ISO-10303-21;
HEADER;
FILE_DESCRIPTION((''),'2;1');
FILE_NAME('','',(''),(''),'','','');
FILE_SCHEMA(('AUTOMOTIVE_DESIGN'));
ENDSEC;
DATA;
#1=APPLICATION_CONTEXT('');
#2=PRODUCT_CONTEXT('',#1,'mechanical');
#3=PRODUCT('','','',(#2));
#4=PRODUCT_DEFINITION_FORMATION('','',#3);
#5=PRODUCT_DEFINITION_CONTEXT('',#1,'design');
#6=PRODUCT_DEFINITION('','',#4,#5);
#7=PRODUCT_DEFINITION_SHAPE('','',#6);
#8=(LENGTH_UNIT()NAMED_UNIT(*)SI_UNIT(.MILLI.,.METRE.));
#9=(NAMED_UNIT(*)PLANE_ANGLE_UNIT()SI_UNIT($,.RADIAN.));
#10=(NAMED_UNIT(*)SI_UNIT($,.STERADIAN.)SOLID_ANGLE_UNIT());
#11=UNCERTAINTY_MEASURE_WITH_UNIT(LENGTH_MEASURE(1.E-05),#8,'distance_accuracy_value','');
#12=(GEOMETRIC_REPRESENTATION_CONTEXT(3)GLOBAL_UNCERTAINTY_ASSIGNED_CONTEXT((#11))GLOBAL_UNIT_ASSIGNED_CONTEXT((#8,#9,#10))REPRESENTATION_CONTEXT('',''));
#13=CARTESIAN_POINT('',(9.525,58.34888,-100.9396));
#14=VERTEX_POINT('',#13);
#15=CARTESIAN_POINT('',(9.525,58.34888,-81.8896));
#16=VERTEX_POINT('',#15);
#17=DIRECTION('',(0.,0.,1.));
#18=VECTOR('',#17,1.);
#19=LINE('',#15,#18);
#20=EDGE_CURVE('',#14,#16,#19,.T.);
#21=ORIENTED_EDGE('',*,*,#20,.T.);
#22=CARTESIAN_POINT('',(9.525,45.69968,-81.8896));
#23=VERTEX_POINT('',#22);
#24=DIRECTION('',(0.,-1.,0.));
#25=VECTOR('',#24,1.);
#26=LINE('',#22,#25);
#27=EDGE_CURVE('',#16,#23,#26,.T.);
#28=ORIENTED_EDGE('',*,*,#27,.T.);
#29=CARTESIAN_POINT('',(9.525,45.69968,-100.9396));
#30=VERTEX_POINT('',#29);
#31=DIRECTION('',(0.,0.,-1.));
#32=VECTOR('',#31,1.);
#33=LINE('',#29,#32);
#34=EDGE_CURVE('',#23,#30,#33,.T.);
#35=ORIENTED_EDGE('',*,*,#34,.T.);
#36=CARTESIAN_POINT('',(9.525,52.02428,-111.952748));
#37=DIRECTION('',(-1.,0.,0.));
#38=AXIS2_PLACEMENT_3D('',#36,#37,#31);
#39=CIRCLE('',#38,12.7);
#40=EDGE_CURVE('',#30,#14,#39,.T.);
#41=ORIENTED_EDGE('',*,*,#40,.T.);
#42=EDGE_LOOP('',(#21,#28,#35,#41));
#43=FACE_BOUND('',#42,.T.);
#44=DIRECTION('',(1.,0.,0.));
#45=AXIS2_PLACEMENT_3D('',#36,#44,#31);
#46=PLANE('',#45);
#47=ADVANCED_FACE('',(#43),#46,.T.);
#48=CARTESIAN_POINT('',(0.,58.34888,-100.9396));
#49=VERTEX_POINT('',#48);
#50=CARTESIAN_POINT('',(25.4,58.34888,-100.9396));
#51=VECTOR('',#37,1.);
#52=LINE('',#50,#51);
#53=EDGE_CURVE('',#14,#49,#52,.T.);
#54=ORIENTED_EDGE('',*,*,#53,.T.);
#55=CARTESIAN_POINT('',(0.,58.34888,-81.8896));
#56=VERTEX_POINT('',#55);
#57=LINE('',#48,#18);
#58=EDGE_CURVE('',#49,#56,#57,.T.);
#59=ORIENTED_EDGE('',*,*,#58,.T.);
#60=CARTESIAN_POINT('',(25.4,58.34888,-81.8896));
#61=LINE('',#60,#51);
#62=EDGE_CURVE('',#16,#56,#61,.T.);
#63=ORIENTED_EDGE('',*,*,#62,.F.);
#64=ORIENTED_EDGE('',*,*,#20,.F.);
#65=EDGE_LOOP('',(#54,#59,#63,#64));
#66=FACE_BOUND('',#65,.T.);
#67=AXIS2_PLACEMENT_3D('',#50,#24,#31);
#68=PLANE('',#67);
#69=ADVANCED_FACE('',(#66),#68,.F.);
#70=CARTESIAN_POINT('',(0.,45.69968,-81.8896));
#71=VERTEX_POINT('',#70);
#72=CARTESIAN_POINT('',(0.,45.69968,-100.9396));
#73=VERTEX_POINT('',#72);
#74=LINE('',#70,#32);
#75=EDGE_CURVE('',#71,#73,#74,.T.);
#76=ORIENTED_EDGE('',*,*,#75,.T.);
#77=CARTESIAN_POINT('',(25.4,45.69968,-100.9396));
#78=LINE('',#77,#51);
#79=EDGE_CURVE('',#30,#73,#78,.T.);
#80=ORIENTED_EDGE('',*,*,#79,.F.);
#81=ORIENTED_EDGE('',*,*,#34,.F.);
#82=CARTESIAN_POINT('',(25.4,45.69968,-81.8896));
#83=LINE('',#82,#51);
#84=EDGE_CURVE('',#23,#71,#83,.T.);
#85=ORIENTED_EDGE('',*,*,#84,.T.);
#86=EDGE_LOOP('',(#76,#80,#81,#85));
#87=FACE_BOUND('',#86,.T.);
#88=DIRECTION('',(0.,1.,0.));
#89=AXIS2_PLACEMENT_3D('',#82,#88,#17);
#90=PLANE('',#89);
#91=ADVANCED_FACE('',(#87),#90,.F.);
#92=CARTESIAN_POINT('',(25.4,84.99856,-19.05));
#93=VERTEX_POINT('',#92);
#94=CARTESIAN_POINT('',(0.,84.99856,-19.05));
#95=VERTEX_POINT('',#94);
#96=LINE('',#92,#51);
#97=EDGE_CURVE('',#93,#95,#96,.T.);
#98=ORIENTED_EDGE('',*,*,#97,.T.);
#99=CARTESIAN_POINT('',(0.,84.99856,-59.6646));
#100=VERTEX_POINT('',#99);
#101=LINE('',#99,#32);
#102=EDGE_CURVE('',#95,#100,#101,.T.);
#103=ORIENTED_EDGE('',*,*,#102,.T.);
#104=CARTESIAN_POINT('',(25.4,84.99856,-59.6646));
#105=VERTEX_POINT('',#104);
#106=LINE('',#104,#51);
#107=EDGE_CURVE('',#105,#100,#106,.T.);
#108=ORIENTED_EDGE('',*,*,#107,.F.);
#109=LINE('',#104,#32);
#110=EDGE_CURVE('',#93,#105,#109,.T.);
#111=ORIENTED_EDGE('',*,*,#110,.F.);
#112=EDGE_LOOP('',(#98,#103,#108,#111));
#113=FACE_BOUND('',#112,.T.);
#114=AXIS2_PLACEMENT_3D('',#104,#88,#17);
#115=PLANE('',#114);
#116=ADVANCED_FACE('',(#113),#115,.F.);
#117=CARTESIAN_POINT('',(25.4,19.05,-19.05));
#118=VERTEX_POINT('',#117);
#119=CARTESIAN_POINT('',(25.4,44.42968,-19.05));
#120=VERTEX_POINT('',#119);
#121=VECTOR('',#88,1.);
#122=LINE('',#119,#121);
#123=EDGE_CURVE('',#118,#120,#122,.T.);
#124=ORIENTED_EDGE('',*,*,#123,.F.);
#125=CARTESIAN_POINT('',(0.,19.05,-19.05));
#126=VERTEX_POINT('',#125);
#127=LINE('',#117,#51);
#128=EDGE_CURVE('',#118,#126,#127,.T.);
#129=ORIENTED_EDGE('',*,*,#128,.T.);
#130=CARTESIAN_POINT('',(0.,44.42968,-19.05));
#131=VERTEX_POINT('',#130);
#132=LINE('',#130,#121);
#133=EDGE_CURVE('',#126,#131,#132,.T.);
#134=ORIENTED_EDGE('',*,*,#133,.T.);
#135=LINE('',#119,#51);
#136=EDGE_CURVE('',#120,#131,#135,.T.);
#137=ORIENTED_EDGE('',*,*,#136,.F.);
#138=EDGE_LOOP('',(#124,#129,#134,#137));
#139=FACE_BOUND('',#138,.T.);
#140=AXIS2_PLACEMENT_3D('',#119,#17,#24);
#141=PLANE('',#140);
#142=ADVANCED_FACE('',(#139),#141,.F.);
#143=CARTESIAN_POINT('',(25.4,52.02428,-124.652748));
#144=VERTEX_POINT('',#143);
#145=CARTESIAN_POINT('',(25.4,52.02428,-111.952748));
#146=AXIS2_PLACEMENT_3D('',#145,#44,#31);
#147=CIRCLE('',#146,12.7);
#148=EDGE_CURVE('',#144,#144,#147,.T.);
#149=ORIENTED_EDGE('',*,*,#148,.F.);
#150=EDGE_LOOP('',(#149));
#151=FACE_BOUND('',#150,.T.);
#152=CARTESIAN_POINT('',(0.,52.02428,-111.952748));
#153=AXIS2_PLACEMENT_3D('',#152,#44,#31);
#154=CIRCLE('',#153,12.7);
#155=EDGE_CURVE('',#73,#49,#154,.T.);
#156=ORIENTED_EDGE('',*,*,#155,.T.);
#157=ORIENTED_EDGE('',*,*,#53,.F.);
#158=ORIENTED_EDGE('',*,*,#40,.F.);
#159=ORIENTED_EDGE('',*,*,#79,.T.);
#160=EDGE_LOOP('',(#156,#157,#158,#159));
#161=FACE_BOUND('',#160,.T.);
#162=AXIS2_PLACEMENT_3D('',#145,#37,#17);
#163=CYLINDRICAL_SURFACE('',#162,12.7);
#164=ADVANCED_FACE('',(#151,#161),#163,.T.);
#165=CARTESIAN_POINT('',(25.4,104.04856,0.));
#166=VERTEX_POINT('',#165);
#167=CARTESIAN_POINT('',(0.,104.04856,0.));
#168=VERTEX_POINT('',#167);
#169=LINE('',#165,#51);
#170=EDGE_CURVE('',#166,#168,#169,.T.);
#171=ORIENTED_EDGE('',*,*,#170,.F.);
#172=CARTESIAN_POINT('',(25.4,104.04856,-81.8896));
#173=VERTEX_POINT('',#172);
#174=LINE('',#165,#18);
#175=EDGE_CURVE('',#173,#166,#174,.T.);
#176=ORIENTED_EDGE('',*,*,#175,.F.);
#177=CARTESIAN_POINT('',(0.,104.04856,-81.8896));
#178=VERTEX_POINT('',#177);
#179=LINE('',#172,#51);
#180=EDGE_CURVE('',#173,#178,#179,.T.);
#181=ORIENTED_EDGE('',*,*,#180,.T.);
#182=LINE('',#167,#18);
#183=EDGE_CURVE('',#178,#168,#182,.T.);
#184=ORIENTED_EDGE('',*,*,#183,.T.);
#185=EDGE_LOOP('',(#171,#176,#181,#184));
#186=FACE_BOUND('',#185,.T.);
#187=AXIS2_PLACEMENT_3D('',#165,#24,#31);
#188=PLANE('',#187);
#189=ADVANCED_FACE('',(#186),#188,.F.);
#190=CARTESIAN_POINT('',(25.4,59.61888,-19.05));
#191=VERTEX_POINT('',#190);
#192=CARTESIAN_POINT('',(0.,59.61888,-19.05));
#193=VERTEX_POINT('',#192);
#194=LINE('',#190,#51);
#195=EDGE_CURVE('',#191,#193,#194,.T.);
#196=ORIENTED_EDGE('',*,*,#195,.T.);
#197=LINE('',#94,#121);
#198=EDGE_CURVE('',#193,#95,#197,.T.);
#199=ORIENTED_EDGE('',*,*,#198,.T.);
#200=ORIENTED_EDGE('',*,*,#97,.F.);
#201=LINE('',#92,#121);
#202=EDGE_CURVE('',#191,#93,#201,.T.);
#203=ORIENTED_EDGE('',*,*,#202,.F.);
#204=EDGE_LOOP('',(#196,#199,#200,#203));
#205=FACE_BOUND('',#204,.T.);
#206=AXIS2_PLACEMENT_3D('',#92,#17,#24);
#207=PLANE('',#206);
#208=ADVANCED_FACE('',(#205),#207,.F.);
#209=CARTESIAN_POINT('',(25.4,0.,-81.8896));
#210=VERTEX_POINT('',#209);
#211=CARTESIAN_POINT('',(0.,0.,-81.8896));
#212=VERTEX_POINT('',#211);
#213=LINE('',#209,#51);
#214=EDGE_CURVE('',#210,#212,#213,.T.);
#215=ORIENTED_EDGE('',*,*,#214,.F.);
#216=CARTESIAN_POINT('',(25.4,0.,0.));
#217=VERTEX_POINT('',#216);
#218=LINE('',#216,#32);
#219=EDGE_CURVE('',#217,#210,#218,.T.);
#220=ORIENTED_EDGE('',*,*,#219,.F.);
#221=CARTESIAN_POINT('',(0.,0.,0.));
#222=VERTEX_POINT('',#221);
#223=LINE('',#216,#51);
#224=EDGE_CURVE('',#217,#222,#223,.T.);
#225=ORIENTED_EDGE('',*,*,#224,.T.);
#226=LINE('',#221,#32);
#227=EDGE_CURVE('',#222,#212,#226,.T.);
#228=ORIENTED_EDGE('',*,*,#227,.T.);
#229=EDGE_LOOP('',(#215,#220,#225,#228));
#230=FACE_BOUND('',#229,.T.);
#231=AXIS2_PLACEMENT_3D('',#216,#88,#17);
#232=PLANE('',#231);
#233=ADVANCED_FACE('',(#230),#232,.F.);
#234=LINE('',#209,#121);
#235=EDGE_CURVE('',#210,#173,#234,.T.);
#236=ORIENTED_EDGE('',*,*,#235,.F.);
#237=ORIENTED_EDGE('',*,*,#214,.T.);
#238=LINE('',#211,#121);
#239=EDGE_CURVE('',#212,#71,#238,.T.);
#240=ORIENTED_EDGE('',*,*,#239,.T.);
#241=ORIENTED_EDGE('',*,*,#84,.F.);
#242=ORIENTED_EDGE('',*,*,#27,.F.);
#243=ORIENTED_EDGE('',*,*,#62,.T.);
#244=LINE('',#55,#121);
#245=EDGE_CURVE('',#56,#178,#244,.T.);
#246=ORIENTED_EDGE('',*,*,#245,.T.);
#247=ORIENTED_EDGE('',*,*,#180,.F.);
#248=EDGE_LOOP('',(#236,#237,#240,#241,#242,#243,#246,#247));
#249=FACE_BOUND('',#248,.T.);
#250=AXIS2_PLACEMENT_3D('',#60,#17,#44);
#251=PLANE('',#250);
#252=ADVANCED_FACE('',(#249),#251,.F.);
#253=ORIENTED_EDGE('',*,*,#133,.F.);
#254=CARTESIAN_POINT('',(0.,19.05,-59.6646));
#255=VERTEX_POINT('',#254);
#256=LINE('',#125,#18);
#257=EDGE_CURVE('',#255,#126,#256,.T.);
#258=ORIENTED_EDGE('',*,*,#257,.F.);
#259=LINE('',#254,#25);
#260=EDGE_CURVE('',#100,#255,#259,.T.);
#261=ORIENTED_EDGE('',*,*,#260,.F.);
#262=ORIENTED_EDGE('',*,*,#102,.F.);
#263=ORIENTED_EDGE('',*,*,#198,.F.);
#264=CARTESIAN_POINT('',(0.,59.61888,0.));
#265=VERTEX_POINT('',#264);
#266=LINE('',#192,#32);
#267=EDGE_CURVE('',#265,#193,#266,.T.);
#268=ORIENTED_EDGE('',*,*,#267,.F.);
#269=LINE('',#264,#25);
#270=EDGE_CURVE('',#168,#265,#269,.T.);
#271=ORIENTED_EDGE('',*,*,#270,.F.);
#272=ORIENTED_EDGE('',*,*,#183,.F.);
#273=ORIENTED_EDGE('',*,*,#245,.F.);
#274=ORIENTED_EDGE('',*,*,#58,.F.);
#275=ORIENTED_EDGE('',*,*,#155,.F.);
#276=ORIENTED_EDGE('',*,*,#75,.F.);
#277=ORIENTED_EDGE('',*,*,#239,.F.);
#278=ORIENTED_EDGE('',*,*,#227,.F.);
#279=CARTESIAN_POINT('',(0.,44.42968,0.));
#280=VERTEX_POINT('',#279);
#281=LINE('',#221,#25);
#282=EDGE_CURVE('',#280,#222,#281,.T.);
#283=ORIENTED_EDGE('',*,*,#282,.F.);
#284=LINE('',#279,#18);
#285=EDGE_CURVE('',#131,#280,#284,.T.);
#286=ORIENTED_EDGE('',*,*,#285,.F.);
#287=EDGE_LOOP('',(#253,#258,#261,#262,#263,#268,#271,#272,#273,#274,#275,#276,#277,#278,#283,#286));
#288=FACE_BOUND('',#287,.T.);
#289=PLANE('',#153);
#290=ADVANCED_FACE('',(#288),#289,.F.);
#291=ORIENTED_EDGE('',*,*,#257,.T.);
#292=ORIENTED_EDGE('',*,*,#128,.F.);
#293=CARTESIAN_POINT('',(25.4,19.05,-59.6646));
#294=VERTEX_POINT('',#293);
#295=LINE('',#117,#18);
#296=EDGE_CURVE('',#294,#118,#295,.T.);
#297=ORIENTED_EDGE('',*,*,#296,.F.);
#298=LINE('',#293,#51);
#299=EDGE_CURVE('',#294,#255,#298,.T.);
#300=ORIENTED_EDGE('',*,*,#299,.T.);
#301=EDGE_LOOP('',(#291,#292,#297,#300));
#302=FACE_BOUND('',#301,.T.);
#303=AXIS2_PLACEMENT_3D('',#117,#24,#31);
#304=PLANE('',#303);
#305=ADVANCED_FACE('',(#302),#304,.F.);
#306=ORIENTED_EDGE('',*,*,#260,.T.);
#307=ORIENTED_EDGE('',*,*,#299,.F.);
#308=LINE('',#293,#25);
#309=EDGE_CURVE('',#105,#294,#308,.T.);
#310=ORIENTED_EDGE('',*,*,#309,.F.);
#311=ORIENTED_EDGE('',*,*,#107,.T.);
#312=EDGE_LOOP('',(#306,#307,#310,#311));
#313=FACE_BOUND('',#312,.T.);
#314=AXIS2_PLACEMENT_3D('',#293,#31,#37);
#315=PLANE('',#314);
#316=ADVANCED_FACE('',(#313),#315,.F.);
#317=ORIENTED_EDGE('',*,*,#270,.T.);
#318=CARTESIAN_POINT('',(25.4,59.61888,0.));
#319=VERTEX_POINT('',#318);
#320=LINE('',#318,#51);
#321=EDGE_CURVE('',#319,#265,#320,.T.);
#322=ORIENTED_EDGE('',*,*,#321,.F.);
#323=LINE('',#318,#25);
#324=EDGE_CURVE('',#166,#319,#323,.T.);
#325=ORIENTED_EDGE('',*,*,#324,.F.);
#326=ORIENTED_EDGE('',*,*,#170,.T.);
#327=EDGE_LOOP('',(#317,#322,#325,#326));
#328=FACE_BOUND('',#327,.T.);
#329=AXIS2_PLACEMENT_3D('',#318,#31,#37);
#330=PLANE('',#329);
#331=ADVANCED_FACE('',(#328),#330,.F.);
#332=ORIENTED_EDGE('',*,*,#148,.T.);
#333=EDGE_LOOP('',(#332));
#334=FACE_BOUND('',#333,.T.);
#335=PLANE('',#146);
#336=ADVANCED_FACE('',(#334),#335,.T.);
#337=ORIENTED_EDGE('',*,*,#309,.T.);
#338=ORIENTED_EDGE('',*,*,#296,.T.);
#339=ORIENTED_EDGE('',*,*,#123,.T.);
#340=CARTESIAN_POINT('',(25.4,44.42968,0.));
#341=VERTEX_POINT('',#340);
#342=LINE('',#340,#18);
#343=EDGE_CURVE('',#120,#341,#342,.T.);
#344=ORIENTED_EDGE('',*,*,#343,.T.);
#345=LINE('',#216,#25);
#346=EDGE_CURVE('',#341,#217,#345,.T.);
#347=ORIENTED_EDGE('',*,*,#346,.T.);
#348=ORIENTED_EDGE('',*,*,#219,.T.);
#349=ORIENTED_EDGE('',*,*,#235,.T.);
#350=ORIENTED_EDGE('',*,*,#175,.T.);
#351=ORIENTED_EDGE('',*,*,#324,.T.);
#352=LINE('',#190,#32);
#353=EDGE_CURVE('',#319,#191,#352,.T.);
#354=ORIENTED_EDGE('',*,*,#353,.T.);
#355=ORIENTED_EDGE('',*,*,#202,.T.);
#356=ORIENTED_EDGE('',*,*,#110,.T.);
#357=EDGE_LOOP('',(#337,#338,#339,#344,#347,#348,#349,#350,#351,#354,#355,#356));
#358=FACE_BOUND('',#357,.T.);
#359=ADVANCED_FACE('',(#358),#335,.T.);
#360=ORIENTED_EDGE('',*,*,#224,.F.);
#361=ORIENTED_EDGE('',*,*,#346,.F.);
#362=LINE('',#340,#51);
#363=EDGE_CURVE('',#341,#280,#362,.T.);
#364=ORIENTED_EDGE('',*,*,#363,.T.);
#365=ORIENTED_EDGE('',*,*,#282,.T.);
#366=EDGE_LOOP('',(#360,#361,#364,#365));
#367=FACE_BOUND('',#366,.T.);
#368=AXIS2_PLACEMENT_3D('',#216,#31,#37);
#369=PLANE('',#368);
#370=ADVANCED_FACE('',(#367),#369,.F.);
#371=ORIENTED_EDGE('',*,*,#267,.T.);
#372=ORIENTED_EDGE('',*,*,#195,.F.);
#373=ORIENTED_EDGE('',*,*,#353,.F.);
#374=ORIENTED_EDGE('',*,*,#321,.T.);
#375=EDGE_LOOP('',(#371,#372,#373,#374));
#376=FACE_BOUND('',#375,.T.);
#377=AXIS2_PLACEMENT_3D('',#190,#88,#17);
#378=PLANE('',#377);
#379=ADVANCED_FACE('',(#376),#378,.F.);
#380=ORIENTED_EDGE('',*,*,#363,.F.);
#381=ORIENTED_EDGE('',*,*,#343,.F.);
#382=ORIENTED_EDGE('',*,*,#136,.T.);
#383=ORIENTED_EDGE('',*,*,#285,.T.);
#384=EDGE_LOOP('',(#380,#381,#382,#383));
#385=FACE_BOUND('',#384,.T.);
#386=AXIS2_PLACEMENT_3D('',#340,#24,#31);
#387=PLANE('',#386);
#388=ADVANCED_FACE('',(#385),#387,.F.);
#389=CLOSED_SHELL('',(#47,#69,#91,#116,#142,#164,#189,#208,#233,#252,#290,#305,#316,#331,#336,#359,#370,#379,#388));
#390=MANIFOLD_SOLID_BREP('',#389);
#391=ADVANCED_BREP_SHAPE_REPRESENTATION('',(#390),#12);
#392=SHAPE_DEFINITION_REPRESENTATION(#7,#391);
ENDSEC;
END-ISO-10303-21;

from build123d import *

# Parameters (mm, degrees)
BOSS_EXTRUDE1_DEPTH = 25.4
CUT_EXTRUDE1_START  = -15.875
CUT_EXTRUDE1_DEPTH  = 15.875


with BuildPart() as part:
    # Sketch1 → Boss-Extrude1 (new body)
    with BuildSketch(Plane.YZ):
        with BuildLine():
            Line((0, 0), (44.42968, 0))
            Line((44.42968, 0), (44.42968, -19.05))
            Line((44.42968, -19.05), (19.05, -19.05))
            Line((19.05, -19.05), (19.05, -59.6646))
            Line((19.05, -59.6646), (84.99856, -59.6646))
            Line((84.99856, -59.6646), (84.99856, -19.05))
            Line((84.99856, -19.05), (59.61888, -19.05))
            Line((59.61888, -19.05), (59.61888, 0))
            Line((59.61888, 0), (104.04856, 0))
            Line((104.04856, 0), (104.04856, -81.8896))
            Line((104.04856, -81.8896), (58.34888, -81.8896))
            Line((58.34888, -81.8896), (58.34888, -100.9396))
            ThreePointArc((58.34888, -100.9396), (52.02428, -124.652748271), (45.69968, -100.9396))
            Line((45.69968, -100.9396), (45.69968, -81.8896))
            Line((45.69968, -81.8896), (0, -81.8896))
            Line((0, -81.8896), (0, 0))
        make_face()
    extrude(amount=BOSS_EXTRUDE1_DEPTH)

    # Sketch2 → Cut-Extrude1 (cut)
    with BuildSketch(Plane.YZ.offset(25.4).offset(CUT_EXTRUDE1_START)):
        with BuildLine():
            Line((45.69968, -81.8896), (58.34888, -81.8896))
            Line((58.34888, -81.8896), (58.34888, -100.9396))
            ThreePointArc((58.34888, -100.9396), (52.02428, -99.252748271), (45.69968, -100.9396))
            Line((45.69968, -100.9396), (45.69968, -81.8896))
        make_face()
    extrude(amount=CUT_EXTRUDE1_DEPTH, mode=Mode.SUBTRACT)


solid = part.part
